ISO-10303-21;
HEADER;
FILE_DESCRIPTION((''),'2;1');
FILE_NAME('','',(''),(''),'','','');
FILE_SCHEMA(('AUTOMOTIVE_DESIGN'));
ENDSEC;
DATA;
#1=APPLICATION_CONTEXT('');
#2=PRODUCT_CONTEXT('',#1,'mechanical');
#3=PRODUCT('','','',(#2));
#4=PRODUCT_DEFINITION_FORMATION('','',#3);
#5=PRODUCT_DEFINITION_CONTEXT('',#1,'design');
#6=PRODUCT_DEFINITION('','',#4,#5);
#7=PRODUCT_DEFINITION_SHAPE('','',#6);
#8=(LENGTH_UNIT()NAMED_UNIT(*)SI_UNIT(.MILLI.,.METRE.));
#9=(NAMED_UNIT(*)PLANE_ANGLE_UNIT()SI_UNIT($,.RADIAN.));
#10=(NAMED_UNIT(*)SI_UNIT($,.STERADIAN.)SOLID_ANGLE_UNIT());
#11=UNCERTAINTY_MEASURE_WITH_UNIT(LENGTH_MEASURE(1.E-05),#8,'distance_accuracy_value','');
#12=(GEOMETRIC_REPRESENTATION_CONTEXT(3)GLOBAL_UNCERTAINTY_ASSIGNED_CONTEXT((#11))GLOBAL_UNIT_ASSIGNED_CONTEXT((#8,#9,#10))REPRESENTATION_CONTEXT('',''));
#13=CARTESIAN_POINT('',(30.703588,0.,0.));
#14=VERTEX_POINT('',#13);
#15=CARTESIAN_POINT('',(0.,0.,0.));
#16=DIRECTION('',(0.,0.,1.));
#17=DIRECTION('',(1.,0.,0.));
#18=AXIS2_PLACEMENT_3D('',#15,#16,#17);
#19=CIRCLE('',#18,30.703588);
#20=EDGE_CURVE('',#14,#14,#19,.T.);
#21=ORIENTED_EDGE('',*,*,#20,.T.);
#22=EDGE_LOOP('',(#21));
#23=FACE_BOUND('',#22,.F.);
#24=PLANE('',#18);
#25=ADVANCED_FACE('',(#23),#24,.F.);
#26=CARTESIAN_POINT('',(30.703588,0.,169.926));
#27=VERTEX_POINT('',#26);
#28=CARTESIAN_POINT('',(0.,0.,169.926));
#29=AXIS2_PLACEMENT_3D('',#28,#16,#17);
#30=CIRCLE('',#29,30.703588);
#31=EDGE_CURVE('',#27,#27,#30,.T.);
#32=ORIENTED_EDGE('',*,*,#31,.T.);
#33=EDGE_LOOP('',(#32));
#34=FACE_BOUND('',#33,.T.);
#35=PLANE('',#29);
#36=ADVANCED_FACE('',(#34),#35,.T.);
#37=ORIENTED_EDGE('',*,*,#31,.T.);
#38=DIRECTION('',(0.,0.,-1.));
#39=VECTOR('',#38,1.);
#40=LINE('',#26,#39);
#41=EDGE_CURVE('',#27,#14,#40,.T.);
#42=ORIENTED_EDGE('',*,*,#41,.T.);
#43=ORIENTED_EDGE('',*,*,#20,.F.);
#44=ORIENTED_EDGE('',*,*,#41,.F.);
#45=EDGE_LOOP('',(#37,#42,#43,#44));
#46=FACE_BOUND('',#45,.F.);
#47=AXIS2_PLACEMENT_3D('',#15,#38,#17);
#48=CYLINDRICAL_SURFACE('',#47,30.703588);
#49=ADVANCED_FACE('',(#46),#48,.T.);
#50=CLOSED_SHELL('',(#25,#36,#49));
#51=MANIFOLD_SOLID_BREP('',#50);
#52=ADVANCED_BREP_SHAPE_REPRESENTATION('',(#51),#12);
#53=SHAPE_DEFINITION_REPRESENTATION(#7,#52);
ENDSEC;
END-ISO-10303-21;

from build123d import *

# Parameters (mm, degrees)
F0_R      = 30.703588
F1_DEPTH  = 169.926
F1_FACE_R = 30.703588
F2_DEPTH  = 165.354


with BuildPart() as f1:
    # F0 (on Top) → F1 (new body)
    with BuildSketch(Plane.XY):
        Circle(F0_R)
    extrude(amount=F1_DEPTH)

    # F1_face (on face) → F2 (join)
    with BuildSketch(Plane(origin=(0, 0, 0), x_dir=(1, 0, 0), z_dir=(0, 0, -1))):
        Circle(F1_FACE_R)
    extrude(amount=-F2_DEPTH)


solid = f1.part
